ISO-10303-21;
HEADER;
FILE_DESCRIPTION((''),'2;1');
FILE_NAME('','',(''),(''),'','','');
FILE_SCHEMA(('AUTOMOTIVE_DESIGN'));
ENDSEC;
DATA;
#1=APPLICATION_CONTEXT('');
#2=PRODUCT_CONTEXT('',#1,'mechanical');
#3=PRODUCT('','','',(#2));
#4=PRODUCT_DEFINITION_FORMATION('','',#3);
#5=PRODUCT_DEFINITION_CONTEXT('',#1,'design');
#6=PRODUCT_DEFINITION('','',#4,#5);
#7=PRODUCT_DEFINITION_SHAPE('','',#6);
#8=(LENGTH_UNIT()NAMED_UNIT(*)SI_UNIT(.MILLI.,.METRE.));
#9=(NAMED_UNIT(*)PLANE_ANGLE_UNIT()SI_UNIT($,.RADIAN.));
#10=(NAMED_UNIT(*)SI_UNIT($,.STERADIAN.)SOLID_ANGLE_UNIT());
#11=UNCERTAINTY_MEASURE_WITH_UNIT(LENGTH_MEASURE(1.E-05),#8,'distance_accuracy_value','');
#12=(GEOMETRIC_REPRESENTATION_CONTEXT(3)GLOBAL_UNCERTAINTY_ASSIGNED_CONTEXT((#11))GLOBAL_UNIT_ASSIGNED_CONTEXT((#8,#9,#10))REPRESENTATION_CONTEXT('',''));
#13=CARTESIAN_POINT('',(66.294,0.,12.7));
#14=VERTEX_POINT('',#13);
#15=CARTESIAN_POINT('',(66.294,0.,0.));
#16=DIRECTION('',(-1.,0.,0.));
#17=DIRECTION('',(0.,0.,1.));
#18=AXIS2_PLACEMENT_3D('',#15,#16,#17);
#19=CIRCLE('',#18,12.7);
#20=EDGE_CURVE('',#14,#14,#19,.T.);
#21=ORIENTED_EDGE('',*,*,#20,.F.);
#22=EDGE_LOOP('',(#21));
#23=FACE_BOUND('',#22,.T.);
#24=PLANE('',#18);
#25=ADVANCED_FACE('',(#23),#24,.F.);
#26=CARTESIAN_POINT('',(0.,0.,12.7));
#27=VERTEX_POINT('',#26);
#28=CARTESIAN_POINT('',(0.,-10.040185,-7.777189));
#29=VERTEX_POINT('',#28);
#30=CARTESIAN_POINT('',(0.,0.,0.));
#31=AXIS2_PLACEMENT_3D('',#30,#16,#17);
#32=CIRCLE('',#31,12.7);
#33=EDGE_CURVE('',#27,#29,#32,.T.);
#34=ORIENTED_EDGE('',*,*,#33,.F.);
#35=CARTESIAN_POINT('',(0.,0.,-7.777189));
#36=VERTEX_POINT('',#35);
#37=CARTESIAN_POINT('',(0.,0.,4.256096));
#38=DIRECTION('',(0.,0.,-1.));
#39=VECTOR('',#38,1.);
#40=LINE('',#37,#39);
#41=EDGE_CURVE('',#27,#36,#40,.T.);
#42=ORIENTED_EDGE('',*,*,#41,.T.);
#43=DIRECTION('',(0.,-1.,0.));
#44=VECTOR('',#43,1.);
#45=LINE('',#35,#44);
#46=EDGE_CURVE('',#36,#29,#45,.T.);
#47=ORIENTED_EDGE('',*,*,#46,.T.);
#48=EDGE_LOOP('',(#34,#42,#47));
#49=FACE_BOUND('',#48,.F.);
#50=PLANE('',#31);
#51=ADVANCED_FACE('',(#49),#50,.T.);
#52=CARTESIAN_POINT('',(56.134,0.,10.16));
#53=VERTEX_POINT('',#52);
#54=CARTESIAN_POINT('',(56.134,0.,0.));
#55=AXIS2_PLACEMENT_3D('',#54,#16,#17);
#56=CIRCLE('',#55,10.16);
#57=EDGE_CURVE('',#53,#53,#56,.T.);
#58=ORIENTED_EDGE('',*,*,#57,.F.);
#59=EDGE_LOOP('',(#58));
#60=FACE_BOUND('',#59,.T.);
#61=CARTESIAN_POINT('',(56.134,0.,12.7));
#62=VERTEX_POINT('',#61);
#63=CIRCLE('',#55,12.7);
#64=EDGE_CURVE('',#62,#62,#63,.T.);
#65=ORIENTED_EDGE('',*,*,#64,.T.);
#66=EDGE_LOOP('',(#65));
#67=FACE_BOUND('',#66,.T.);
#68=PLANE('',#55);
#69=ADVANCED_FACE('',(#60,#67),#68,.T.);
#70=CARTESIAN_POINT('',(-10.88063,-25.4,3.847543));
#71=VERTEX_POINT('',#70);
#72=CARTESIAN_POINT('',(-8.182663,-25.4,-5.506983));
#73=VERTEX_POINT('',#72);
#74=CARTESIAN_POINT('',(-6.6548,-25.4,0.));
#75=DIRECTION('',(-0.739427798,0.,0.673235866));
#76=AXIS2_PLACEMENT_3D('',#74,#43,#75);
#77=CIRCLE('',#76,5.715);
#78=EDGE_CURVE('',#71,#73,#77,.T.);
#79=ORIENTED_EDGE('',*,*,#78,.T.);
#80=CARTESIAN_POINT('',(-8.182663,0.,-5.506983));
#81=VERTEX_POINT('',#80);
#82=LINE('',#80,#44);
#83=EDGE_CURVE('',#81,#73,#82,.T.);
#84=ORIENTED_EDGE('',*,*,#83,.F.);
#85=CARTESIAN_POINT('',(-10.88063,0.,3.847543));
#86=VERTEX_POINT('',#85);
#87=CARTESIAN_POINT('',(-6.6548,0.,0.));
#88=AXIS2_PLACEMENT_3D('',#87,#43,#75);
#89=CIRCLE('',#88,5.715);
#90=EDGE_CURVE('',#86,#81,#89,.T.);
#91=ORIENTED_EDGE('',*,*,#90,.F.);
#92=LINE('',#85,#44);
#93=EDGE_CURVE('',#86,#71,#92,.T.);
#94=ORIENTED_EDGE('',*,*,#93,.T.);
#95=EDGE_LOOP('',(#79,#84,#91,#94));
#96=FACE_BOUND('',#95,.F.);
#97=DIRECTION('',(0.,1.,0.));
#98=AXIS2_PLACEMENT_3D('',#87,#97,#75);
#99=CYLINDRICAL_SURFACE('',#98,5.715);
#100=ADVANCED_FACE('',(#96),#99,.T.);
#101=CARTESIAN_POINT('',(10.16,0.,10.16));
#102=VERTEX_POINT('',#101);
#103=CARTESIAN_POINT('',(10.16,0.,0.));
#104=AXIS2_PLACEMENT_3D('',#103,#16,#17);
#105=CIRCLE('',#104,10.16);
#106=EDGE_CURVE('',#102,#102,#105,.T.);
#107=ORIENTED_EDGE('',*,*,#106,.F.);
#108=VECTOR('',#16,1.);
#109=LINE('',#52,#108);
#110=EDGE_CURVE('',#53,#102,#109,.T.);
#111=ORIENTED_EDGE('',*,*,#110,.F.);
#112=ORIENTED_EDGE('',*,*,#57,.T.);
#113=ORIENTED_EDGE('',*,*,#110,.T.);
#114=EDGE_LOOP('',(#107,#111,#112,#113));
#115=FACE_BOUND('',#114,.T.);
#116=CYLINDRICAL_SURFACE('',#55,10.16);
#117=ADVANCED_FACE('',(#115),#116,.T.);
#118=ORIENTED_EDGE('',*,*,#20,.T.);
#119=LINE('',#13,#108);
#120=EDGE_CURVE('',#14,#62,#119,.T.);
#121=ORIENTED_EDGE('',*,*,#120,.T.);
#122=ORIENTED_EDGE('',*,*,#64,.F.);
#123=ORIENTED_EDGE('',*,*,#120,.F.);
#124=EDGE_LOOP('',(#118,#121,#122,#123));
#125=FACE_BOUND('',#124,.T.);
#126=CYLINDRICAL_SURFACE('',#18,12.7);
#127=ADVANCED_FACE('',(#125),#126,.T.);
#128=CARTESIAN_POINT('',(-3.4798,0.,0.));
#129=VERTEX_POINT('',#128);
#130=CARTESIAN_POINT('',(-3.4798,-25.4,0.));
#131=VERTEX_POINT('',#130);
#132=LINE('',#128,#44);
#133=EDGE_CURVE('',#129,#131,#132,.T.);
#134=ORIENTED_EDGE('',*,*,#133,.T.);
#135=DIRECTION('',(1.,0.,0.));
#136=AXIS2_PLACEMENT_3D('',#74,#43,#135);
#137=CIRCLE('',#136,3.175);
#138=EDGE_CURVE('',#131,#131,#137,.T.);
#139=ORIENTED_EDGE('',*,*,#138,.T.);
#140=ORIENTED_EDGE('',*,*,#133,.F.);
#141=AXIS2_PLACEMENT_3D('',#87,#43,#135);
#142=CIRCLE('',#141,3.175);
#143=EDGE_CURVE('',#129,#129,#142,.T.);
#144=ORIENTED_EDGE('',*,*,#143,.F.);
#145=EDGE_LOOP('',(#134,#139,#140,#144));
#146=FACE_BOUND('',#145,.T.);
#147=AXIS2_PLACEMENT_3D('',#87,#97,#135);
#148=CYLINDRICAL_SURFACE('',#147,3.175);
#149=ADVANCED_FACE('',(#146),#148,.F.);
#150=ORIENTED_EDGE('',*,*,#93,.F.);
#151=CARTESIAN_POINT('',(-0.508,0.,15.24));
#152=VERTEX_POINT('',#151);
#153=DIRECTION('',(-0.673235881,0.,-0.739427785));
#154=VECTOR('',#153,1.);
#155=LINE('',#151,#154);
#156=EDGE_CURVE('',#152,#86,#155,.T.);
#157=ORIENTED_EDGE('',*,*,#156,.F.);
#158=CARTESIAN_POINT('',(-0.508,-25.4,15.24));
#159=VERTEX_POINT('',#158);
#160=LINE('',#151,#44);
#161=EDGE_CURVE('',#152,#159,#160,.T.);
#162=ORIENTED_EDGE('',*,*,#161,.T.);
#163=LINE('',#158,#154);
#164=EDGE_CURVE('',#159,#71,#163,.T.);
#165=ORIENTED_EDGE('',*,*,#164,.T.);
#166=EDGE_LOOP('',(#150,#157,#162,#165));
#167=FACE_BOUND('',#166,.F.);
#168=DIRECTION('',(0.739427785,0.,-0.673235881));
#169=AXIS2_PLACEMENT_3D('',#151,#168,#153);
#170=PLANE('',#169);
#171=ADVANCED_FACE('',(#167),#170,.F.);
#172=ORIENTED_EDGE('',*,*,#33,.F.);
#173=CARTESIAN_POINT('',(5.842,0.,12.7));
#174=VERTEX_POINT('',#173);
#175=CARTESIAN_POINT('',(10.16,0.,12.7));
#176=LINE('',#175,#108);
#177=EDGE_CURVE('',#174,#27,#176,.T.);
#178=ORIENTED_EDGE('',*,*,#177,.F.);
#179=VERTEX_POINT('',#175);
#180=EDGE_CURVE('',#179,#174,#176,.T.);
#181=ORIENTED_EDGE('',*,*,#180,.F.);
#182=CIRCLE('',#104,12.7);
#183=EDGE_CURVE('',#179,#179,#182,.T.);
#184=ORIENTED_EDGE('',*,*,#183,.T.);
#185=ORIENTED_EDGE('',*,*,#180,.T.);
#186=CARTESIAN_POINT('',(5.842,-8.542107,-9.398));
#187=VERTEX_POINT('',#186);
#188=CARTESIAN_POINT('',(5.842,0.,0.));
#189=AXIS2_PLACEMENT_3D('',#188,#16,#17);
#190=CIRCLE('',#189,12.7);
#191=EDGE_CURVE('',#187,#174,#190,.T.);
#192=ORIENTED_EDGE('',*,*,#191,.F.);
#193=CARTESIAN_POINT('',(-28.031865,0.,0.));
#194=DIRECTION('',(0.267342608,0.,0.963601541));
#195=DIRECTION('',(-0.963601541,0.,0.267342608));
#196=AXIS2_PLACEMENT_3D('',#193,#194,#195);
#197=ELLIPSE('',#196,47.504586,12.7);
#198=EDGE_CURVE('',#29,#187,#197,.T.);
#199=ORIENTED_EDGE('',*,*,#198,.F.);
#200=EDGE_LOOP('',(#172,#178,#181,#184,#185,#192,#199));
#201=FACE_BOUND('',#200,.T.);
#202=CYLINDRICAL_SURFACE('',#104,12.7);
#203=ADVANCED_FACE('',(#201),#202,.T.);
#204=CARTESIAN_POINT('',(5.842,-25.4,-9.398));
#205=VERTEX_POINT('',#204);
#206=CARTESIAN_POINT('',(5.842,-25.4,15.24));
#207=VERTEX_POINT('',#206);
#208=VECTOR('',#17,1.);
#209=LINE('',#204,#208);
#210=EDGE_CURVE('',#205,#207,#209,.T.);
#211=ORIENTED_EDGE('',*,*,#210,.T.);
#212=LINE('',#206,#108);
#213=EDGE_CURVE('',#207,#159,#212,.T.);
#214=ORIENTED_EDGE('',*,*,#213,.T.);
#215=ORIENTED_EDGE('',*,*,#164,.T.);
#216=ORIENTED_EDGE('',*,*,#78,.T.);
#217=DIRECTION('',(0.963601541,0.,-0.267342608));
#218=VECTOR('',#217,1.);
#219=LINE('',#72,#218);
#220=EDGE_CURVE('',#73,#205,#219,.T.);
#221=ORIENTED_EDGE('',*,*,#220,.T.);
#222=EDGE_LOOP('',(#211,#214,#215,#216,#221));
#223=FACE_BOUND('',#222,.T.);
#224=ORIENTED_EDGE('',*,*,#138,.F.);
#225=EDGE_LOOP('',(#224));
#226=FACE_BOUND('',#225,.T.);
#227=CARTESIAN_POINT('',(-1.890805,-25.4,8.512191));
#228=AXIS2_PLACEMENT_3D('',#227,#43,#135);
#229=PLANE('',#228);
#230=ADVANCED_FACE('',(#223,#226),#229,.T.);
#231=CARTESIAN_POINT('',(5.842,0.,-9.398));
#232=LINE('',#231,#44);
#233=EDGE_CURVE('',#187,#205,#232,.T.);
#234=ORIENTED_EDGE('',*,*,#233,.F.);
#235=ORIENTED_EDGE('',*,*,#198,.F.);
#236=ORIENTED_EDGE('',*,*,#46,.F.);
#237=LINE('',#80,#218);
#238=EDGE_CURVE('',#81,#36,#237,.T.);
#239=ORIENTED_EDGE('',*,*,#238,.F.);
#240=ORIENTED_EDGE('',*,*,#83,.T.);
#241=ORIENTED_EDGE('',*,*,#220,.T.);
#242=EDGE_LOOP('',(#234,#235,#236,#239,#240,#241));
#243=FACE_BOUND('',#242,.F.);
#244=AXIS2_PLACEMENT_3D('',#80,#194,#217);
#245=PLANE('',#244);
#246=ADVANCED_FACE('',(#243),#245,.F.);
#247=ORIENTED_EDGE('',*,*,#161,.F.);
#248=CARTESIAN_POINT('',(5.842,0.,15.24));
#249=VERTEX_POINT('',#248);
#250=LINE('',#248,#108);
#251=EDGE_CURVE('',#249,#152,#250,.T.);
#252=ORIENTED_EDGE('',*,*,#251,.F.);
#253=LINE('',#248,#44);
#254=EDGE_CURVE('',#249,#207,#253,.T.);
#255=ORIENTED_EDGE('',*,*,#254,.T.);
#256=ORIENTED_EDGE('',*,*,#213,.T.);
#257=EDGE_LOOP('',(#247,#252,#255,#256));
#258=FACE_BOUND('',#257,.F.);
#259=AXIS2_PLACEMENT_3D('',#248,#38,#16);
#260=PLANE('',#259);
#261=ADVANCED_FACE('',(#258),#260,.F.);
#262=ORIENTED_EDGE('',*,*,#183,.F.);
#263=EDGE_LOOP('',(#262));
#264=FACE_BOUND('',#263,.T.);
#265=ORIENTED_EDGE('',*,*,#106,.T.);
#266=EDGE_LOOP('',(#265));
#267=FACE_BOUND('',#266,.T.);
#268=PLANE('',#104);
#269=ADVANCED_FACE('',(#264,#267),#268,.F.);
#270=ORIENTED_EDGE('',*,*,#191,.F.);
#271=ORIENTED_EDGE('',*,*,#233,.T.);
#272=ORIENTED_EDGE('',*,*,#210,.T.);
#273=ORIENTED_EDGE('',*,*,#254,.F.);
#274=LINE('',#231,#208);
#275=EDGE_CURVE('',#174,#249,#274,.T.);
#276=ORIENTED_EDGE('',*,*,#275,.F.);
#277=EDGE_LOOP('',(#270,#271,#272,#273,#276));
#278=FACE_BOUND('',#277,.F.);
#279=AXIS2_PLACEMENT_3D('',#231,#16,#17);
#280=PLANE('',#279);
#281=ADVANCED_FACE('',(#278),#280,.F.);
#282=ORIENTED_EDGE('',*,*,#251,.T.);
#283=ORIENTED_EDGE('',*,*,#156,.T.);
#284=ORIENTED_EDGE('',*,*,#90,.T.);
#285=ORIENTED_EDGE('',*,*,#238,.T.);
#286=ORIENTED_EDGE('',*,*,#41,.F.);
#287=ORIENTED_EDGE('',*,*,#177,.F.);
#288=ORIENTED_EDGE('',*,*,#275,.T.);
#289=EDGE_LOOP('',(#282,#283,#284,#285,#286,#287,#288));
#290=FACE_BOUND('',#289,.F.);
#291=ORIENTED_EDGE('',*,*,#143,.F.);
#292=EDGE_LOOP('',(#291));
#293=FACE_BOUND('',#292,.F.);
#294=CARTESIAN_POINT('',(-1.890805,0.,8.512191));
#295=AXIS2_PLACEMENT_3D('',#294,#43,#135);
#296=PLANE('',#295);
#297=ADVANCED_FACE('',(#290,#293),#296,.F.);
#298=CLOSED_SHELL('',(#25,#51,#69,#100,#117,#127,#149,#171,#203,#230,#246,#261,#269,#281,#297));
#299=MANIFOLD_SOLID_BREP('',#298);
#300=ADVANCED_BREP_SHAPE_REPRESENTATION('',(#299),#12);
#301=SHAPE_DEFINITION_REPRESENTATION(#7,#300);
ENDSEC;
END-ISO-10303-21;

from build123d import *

# Parameters (mm, degrees)
F0_W     = 5.842
F0_H     = 12.7
F0_R     = 3.175
F2_DEPTH = 25.4


with BuildPart() as f1:
    # F0 (on Front) → F1 (revolve)
    with BuildSketch(Plane.XZ):
        with Locations((2.921, 6.35)):
            Rectangle(F0_W, F0_H)
        Polygon((5.842, 12.7), (5.842, 0), (66.294, 0), (66.294, 12.7), (56.134, 12.7), (56.134, 10.16), (10.16, 10.16), (10.16, 12.7), align=None)
    revolve(axis=Axis((33.147, 0, 0), (-1, 0, 0)))

    # F0 (on Front) → F2 (join)
    with BuildSketch(Plane.XZ):
        with BuildLine():
            Line((-0.9398, 0), (0, 0))
            Line((0, 0), (0, 12.7))
            Line((0, 12.7), (5.842, 12.7))
            Line((5.842, 12.7), (5.842, 15.24))
            Line((5.842, 15.24), (-0.508, 15.24))
            Line((-0.508, 15.24), (-10.88063, 3.847543))
            ThreePointArc((-10.88063, 3.847543), (-4.591961, 5.329721), (-0.9398, 0))
        make_face()
        with BuildLine():
            ThreePointArc((-8.182663, -5.506983), (-3.195791, -4.549339), (-0.9398, 0))
            ThreePointArc((-0.9398, 0), (-4.591961, 5.329721), (-10.88063, 3.847543))
            ThreePointArc((-10.88063, 3.847543), (-12.145978, -1.583727), (-8.182663, -5.506983))
        make_face()
        with Locations((-6.6548, 0)):
            Circle(F0_R, mode=Mode.SUBTRACT)
        with BuildLine():
            Line((5.842, 0), (0, 0))
            Line((0, 0), (-0.9398, 0))
            ThreePointArc((-0.9398, 0), (-3.195791, -4.549339), (-8.182663, -5.506983))
            Line((-8.182663, -5.506983), (5.842, -9.398))
            Line((5.842, -9.398), (5.842, 0))
        make_face()
        with Locations((2.921, 6.35)):
            Rectangle(F0_W, F0_H)
    extrude(amount=F2_DEPTH)


solid = f1.part
